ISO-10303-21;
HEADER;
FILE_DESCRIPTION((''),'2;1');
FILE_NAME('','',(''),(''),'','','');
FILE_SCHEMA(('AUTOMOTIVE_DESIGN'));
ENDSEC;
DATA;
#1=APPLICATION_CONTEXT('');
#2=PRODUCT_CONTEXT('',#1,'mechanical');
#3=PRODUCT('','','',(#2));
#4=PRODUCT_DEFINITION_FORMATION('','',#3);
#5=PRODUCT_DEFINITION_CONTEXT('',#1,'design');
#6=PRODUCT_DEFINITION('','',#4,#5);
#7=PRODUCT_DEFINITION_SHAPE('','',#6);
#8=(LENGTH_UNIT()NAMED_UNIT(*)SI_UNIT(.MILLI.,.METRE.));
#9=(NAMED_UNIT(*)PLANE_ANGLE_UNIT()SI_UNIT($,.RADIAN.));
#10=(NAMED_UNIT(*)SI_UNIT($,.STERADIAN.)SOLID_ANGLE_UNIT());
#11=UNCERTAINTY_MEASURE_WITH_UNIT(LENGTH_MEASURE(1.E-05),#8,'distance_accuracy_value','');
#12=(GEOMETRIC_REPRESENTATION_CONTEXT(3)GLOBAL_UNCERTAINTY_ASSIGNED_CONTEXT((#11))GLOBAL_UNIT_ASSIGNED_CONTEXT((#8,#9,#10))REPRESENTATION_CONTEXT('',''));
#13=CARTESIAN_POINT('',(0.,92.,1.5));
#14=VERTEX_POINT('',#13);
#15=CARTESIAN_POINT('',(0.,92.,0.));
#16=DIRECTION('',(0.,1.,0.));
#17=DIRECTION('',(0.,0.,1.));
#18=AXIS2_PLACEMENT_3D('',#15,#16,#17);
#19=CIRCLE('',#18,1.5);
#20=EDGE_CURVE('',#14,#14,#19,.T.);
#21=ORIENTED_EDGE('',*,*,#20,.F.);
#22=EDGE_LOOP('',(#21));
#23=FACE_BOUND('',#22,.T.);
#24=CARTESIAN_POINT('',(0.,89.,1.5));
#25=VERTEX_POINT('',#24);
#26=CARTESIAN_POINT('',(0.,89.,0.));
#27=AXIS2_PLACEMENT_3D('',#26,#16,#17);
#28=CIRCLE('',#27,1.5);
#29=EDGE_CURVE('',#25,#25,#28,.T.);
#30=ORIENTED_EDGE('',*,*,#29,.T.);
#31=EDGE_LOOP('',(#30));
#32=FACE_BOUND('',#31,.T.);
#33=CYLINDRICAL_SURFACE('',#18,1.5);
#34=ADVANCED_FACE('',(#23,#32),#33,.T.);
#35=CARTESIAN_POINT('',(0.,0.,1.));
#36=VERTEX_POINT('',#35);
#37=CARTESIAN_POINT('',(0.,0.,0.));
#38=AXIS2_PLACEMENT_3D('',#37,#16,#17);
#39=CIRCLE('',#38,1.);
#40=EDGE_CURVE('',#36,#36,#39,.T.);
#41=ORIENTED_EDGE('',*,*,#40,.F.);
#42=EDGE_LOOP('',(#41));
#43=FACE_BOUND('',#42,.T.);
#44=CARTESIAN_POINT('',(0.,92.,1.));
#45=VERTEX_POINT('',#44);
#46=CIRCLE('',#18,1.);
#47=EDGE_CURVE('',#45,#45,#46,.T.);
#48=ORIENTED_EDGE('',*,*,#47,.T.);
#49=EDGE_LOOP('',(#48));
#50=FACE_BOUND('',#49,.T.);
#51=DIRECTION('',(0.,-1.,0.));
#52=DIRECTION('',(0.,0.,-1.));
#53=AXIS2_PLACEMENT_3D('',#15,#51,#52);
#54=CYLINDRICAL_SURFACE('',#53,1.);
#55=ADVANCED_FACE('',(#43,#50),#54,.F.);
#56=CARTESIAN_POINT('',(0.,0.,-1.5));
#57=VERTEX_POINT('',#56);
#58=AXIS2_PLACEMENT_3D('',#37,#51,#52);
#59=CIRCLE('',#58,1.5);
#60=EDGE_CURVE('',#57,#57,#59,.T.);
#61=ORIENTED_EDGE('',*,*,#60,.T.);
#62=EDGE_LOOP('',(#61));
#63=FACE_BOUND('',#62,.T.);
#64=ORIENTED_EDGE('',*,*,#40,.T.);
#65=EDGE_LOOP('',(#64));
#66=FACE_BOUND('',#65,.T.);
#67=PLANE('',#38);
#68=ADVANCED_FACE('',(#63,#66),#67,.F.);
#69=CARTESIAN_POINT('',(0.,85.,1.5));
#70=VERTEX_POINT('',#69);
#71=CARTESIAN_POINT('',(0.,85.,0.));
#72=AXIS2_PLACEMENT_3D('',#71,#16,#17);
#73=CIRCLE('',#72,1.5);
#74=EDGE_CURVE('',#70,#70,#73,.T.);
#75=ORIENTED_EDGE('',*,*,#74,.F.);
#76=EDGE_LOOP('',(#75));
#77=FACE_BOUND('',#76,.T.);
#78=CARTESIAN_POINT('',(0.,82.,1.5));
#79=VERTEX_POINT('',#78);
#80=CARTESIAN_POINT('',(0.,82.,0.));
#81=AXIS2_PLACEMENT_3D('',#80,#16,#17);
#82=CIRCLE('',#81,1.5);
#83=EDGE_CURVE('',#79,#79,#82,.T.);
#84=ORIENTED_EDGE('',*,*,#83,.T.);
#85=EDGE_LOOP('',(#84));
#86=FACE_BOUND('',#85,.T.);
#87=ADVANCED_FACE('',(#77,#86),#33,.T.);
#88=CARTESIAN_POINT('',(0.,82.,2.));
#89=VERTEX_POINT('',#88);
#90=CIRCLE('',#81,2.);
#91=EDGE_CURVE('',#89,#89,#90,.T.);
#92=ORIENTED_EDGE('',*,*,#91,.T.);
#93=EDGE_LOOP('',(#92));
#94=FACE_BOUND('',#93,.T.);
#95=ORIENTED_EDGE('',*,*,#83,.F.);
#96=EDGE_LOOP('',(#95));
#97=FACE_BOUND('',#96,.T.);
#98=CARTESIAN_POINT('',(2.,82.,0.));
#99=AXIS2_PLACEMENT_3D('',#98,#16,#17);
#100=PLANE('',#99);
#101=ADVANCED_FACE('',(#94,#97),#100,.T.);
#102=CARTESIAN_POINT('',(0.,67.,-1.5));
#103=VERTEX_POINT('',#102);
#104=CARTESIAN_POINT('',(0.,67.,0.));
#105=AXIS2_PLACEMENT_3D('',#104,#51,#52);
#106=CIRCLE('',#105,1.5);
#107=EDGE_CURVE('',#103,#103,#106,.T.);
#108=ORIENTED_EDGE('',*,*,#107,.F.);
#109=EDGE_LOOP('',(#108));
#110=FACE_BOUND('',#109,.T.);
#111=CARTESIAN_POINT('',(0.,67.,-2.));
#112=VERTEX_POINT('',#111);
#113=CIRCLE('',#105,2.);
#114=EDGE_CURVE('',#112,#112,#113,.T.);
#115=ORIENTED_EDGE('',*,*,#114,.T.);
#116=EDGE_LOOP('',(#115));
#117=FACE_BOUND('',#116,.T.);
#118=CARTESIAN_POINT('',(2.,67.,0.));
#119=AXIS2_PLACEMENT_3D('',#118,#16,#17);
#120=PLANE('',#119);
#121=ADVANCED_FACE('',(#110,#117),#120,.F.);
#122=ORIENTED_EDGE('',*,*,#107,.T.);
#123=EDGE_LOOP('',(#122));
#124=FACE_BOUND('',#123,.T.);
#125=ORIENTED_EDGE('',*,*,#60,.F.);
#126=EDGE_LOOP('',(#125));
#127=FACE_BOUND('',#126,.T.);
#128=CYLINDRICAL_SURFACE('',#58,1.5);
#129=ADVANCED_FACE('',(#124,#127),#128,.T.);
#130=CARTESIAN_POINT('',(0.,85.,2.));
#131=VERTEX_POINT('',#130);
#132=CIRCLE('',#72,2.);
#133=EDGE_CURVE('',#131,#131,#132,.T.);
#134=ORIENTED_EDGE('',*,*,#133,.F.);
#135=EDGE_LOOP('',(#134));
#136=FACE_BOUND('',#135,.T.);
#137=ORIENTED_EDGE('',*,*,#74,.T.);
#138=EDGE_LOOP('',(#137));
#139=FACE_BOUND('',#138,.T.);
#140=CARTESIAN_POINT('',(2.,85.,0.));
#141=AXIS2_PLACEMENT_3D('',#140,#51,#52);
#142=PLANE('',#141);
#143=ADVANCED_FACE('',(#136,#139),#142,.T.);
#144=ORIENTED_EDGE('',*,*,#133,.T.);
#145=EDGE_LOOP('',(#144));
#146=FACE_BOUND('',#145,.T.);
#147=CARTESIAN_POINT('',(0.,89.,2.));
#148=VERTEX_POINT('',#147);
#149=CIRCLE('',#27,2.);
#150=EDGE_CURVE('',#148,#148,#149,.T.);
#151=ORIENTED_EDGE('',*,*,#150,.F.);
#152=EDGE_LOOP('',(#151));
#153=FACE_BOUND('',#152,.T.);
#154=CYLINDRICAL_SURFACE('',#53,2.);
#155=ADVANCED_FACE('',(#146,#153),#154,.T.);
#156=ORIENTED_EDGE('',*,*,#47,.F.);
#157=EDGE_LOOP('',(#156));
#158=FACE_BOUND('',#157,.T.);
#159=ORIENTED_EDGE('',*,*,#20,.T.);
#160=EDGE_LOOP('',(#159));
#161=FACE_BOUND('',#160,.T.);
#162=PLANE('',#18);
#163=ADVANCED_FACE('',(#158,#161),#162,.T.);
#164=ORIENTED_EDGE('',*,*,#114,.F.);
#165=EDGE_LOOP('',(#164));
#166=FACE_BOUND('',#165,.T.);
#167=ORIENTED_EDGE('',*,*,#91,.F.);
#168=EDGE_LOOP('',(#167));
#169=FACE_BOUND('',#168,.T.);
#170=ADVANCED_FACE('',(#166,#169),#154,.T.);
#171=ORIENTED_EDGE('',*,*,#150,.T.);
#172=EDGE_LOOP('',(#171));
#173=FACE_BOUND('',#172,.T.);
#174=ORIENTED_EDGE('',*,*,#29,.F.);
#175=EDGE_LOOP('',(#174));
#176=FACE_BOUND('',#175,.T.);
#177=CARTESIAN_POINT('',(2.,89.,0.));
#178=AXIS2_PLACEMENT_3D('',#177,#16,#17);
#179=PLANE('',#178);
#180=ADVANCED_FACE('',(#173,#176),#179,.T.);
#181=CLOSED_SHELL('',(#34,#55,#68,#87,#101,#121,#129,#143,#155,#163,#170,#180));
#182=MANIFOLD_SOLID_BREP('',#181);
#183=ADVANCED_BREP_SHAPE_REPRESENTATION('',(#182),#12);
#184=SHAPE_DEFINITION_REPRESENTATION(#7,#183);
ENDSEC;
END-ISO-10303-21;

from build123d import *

# Parameters (mm, degrees)
SKETCH_1_R      = 2
SKETCH_1_R_2    = 1
EXTRUDE_1_DEPTH = 92
SKETCH_2_W      = 0.5
SKETCH_2_H      = 3
SKETCH_3_W      = 0.5
SKETCH_3_H      = 67


with BuildPart() as part:
    # Эскиз1 → Бобышка-Вытянуть1 (new body)
    with BuildSketch(Plane(origin=(0, 0, 0), x_dir=(1, 0, 0), z_dir=(0, 1, 0))):
        Circle(SKETCH_1_R)
        Circle(SKETCH_1_R_2, mode=Mode.SUBTRACT)
    extrude(amount=EXTRUDE_1_DEPTH)

    # Эскиз2 → Вырез-Повернуть1 (revolve, cut)
    with BuildSketch(Plane.XY):
        with Locations((1.75, 90.5)):
            Rectangle(SKETCH_2_W, SKETCH_2_H)
        with Locations((1.75, 83.5)):
            Rectangle(SKETCH_2_W, SKETCH_2_H)
    revolve(axis=Axis((0, 92, 0), (0, -1, 0)), mode=Mode.SUBTRACT)

    # Эскиз3 → Вырез-Повернуть2 (revolve, cut)
    with BuildSketch(Plane.XY):
        with Locations((1.75, 33.5)):
            Rectangle(SKETCH_3_W, SKETCH_3_H)
    revolve(axis=Axis((0, 0, 0), (0, 1, 0)), mode=Mode.SUBTRACT)


solid = part.part
